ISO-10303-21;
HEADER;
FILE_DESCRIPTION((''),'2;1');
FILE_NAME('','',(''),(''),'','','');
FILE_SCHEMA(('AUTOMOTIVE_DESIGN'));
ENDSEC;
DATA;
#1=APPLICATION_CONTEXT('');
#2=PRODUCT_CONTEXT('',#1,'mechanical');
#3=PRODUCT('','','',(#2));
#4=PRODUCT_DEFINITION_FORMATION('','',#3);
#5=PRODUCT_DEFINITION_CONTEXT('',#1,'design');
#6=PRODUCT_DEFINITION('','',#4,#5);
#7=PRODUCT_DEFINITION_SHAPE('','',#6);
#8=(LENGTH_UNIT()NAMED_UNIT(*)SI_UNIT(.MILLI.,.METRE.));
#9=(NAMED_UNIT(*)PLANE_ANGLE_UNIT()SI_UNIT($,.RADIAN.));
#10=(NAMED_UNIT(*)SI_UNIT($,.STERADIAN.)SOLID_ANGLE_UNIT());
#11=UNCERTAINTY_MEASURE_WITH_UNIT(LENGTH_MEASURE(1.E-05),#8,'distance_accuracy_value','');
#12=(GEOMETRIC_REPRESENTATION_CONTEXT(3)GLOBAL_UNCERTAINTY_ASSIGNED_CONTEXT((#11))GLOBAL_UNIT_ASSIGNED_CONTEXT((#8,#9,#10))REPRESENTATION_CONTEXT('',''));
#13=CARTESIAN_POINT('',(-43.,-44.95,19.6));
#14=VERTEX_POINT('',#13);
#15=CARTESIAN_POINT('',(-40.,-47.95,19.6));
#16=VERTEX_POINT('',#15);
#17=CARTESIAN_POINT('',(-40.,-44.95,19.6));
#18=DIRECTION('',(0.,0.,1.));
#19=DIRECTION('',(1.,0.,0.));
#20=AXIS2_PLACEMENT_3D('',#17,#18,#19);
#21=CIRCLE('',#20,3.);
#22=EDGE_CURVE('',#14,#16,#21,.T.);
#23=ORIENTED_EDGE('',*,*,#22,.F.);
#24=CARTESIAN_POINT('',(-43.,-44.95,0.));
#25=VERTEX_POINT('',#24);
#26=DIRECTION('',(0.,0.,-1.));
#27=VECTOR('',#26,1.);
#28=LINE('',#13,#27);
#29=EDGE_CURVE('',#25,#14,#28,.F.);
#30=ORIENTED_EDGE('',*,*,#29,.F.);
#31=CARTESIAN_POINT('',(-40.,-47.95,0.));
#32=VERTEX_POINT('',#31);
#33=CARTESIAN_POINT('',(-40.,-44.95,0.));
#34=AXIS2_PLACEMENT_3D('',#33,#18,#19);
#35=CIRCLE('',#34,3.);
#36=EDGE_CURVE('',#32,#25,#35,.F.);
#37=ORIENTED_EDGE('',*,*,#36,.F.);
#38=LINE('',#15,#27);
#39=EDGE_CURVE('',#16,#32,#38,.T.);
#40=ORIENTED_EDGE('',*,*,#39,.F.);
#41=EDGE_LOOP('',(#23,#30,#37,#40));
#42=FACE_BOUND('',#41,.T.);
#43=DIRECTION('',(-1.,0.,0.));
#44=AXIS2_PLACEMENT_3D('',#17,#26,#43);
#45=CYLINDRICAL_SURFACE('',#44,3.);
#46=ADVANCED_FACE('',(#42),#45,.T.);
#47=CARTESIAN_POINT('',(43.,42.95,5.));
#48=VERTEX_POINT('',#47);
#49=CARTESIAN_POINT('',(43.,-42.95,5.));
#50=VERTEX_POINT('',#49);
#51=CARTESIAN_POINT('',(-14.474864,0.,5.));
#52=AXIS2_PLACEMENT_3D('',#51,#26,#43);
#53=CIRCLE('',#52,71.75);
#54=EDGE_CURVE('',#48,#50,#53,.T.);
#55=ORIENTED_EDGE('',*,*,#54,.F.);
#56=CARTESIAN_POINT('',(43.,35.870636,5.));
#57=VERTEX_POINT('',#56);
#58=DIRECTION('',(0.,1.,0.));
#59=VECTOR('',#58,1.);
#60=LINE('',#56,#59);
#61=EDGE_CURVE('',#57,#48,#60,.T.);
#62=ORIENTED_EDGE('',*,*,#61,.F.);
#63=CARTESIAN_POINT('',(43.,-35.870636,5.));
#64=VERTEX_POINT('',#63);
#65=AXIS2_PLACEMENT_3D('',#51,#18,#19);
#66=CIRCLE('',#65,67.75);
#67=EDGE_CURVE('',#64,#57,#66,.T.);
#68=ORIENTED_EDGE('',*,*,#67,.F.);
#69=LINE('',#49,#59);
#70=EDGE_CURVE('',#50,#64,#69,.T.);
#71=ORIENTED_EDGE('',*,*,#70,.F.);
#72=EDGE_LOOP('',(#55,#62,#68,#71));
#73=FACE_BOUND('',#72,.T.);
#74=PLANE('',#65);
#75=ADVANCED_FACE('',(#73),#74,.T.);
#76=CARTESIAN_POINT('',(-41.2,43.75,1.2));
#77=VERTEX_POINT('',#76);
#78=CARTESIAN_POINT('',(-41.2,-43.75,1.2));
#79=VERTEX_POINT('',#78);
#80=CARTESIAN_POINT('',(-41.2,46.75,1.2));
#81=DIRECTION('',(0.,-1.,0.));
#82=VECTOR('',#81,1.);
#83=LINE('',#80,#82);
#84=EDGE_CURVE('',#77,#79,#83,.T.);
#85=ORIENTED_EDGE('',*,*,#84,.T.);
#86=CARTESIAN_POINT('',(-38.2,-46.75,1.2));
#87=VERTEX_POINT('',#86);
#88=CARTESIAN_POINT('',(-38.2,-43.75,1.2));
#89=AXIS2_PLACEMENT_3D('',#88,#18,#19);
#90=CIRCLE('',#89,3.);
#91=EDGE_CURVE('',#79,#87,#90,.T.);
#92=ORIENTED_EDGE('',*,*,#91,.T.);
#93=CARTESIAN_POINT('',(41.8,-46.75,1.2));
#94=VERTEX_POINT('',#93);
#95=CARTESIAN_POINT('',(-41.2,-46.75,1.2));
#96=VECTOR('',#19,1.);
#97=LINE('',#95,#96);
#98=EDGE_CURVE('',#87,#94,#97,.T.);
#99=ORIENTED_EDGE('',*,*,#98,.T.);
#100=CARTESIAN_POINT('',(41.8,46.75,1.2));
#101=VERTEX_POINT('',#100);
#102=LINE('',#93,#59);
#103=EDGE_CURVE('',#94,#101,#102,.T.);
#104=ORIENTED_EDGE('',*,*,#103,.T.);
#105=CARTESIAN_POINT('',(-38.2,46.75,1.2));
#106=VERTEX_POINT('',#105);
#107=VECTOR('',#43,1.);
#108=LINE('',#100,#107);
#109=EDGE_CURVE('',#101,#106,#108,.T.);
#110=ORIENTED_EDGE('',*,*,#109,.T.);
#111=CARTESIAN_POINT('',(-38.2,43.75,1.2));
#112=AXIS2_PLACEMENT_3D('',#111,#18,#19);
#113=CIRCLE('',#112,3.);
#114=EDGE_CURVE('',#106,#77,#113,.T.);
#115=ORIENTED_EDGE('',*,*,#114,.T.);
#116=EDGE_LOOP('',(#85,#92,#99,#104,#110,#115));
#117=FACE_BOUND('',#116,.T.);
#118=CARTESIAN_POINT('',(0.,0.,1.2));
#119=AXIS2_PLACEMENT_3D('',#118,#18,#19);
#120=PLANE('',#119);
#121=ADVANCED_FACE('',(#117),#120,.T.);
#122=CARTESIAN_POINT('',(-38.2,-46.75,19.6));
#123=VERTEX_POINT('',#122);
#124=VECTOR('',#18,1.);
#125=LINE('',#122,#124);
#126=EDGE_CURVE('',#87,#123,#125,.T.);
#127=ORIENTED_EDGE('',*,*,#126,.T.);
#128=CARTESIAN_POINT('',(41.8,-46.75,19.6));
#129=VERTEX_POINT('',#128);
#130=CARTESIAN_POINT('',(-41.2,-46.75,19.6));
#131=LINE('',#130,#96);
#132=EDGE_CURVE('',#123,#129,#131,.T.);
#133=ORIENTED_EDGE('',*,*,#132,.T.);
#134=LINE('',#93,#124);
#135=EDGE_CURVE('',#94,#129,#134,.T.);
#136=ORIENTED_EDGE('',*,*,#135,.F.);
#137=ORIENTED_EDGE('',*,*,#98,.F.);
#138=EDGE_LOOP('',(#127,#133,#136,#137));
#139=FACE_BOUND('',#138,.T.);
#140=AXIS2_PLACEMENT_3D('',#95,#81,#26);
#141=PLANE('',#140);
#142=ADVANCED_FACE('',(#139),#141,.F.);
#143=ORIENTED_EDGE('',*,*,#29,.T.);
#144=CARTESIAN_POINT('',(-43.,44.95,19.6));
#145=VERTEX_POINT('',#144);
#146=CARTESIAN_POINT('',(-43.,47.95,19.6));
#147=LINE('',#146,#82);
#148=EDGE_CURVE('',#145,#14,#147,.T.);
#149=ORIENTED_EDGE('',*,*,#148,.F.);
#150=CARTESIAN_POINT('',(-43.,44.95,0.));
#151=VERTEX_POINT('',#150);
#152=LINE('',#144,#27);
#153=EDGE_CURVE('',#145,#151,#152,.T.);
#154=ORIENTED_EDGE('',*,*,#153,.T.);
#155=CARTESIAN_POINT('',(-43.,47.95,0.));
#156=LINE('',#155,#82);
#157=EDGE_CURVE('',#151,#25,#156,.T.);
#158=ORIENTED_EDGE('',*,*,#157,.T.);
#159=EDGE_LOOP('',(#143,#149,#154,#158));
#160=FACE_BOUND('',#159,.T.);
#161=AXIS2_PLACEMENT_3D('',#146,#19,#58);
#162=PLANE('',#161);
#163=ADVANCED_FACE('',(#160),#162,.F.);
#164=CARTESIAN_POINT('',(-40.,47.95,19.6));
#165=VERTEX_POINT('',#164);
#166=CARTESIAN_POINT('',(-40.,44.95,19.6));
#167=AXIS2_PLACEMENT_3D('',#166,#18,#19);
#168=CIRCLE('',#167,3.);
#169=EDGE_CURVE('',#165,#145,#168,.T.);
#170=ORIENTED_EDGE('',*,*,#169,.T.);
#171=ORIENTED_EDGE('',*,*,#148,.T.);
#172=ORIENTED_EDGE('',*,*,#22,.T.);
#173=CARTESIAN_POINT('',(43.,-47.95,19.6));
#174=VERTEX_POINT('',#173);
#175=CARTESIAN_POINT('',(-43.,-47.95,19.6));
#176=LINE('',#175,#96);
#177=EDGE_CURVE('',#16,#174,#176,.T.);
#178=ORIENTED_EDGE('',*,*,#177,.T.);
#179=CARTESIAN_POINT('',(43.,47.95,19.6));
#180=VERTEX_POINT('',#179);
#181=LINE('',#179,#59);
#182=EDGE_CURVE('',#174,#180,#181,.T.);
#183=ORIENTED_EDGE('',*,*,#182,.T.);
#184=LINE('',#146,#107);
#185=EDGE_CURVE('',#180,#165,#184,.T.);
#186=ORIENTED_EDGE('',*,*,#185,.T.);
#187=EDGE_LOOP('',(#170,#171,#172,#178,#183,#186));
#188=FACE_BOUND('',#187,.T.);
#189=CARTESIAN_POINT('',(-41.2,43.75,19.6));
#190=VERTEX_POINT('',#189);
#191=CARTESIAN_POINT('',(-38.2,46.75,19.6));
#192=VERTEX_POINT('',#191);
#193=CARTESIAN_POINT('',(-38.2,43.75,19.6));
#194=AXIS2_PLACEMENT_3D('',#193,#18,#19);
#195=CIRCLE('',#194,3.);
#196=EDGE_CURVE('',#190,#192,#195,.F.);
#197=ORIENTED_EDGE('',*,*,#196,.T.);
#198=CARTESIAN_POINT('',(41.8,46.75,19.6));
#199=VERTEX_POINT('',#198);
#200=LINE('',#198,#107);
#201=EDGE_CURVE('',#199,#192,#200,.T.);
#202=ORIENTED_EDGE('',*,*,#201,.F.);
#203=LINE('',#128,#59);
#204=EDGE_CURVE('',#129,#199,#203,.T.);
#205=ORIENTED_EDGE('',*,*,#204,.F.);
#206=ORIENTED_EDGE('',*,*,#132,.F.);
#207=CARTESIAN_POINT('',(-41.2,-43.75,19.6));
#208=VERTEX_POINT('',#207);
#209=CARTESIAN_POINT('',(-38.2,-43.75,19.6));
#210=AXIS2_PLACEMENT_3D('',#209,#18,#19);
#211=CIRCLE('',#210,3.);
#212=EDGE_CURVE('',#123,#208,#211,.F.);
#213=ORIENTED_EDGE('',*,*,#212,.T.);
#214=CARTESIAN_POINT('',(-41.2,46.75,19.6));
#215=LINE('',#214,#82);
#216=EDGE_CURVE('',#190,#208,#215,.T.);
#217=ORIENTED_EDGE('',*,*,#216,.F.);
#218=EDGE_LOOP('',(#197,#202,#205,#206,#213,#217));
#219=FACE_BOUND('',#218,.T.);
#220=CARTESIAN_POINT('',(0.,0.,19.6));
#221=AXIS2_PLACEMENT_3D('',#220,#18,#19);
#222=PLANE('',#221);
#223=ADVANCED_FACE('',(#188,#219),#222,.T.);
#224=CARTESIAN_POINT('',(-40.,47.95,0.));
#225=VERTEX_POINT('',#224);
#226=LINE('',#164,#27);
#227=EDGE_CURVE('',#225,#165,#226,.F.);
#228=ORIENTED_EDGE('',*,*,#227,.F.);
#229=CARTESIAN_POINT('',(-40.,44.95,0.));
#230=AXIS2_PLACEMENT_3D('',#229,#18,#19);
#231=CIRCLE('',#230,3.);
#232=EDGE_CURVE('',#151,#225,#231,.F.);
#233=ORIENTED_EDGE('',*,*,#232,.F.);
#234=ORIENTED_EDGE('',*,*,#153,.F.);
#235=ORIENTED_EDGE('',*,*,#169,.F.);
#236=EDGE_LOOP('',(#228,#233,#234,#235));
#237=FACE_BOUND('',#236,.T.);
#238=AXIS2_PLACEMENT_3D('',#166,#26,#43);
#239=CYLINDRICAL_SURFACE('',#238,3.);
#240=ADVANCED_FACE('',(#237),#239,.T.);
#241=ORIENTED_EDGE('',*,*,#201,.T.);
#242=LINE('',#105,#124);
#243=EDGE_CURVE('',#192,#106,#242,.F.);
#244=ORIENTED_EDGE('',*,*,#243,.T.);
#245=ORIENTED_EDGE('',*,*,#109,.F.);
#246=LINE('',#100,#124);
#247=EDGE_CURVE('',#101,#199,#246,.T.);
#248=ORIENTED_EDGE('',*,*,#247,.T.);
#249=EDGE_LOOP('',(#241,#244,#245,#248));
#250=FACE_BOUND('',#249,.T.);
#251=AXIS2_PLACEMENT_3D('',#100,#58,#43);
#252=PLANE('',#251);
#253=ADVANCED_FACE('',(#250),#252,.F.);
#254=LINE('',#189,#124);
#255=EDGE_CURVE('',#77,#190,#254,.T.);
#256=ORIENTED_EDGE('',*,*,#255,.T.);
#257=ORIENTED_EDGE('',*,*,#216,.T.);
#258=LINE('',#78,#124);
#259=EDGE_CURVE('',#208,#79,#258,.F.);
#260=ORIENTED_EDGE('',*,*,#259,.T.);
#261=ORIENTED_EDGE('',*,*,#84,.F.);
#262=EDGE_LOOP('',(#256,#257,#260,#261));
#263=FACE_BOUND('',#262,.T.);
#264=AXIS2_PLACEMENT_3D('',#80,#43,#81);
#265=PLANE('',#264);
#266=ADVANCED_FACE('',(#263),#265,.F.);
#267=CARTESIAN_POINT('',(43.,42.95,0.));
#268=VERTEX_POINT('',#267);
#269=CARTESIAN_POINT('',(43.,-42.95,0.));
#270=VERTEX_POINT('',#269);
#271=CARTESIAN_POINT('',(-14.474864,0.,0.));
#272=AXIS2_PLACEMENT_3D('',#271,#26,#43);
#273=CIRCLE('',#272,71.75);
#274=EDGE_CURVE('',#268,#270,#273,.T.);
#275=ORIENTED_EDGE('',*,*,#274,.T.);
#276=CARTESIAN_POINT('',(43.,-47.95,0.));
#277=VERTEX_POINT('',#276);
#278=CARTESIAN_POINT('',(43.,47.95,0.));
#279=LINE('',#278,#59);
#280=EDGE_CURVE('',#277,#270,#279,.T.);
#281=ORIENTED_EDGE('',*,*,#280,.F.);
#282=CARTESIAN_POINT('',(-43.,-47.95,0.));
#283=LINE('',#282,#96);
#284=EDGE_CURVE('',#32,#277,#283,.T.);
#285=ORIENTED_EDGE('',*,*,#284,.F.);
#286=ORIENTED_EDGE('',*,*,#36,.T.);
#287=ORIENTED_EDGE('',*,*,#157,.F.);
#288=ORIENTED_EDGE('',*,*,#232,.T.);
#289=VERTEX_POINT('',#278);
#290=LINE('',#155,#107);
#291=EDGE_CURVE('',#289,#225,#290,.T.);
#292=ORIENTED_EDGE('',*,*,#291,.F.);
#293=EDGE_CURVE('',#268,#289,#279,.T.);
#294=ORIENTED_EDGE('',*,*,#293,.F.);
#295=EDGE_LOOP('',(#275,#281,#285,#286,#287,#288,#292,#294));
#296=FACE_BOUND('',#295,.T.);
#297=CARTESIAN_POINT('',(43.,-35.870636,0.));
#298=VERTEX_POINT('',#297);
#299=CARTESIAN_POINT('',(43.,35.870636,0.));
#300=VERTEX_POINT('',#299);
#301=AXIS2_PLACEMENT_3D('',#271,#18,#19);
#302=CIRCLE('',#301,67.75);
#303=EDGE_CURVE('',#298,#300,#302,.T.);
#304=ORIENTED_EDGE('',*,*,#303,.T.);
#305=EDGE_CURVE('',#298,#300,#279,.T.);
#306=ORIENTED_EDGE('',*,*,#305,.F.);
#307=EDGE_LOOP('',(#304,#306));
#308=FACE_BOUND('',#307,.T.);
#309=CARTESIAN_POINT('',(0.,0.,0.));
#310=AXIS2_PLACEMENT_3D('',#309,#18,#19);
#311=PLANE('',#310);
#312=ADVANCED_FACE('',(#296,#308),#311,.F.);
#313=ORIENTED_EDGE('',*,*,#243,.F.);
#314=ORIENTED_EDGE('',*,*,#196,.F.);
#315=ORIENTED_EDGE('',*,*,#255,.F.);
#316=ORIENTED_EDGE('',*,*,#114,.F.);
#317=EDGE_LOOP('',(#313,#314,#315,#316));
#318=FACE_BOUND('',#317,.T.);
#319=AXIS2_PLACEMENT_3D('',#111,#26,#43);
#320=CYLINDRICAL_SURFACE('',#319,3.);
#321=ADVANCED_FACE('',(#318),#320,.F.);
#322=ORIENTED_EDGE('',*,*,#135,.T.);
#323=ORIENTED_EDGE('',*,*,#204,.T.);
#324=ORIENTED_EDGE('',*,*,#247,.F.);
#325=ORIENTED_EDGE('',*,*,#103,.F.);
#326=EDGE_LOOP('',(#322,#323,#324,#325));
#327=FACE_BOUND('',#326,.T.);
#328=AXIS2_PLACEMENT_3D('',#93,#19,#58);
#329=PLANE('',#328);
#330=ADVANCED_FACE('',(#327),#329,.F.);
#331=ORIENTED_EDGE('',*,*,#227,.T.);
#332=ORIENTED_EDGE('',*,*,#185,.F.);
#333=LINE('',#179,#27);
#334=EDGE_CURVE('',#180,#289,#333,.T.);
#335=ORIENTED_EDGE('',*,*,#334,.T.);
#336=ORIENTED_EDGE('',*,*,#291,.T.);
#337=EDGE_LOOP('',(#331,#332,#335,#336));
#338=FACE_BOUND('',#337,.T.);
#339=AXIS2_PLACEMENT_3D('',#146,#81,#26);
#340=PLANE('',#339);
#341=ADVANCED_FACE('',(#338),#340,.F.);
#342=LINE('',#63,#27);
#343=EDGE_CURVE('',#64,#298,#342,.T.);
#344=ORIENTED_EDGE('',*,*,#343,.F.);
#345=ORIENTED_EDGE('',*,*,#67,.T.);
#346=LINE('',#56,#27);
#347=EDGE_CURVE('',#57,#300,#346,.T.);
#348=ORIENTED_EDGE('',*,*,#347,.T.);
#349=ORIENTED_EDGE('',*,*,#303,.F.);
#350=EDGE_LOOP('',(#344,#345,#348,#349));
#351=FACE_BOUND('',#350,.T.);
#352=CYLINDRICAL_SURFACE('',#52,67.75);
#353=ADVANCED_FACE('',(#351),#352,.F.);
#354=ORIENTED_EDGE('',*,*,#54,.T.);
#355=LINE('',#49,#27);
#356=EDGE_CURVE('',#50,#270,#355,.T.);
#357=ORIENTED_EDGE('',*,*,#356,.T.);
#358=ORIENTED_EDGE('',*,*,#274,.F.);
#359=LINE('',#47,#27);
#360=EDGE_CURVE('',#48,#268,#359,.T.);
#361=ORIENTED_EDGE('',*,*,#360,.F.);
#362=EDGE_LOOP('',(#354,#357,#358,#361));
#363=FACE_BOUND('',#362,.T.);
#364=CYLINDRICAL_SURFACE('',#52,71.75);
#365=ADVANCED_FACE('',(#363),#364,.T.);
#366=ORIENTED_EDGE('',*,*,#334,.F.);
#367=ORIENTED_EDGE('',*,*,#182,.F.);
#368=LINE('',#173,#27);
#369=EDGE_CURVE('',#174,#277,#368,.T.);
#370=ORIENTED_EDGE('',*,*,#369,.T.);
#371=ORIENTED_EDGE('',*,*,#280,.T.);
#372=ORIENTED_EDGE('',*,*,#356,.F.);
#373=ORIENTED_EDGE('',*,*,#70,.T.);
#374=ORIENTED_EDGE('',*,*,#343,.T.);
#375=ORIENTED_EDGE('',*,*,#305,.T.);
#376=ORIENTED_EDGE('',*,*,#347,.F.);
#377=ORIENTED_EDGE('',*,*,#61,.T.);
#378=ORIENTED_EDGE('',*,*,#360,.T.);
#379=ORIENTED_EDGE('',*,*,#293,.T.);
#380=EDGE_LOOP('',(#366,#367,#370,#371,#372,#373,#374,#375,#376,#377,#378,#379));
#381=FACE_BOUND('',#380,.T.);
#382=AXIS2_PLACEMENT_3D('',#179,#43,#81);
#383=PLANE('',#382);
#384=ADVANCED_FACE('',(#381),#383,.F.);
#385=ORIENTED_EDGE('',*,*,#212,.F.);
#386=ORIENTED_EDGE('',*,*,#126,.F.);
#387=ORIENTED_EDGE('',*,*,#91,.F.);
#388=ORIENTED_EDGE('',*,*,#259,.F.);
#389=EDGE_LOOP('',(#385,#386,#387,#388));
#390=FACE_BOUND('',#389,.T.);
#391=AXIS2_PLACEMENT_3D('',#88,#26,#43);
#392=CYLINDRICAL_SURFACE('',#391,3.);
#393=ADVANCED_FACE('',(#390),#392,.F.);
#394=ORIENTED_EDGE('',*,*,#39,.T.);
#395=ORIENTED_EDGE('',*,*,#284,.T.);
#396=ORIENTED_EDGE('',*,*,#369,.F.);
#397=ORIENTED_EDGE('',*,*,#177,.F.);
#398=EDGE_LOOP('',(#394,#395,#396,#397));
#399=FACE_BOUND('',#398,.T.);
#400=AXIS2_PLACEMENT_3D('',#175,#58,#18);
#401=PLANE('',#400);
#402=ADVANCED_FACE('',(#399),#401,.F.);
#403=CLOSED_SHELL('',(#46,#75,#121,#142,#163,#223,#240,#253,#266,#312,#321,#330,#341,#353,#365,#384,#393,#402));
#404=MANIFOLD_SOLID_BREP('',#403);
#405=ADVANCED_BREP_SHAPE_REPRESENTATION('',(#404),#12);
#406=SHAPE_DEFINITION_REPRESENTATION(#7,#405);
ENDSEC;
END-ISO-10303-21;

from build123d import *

# Parameters (mm, degrees)
SKETCH_1_W          = 86
SKETCH_1_H          = 95.9
EXTRUDE_1_DEPTH     = 19.6
EXTRUDE_2_DEPTH     = 5
SKETCH_3_W          = 83
SKETCH_3_H          = 93.5
CUT_EXTRUDE_1_DEPTH = 18.4
FILLET_1_R          = 3


with BuildPart() as part:
    # Эскиз1 → Бобышка-Вытянуть1 (new body)
    with BuildSketch(Plane.XY):
        Rectangle(SKETCH_1_W, SKETCH_1_H)
    extrude(amount=EXTRUDE_1_DEPTH)

    # Эскиз2 → Бобышка-Вытянуть2 (add)
    with BuildSketch(Plane(origin=(0, 0, 0), x_dir=(-1, 0, 0), z_dir=(0, 0, -1))):
        with BuildLine():
            Line((-43, 35.870635623), (-43, 42.95))
            ThreePointArc((-43, 42.95), (-57.275135929, 0), (-43, -42.95))
            Line((-43, -42.95), (-43, -35.870635623))
            ThreePointArc((-43, -35.870635623), (-53.275135929, 0), (-43, 35.870635623))
        make_face()
    extrude(amount=-EXTRUDE_2_DEPTH)

    # Эскиз3 → Вырез-Вытянуть1 (cut)
    with BuildSketch(Plane.XY.offset(19.6)):
        with Locations((0.3, 0)):
            Rectangle(SKETCH_3_W, SKETCH_3_H)
    extrude(amount=-CUT_EXTRUDE_1_DEPTH, mode=Mode.SUBTRACT)

    # Скругление1
    fillet_1_edges = [part.edges().sort_by_distance(p)[0] for p in [
        (-41.2, -46.75, 10.4),
        (-41.2, 46.75, 10.4),
        (-43, -47.95, 9.8),
        (-43, 47.95, 9.8),
    ]]
    fillet(fillet_1_edges, radius=FILLET_1_R)


solid = part.part
